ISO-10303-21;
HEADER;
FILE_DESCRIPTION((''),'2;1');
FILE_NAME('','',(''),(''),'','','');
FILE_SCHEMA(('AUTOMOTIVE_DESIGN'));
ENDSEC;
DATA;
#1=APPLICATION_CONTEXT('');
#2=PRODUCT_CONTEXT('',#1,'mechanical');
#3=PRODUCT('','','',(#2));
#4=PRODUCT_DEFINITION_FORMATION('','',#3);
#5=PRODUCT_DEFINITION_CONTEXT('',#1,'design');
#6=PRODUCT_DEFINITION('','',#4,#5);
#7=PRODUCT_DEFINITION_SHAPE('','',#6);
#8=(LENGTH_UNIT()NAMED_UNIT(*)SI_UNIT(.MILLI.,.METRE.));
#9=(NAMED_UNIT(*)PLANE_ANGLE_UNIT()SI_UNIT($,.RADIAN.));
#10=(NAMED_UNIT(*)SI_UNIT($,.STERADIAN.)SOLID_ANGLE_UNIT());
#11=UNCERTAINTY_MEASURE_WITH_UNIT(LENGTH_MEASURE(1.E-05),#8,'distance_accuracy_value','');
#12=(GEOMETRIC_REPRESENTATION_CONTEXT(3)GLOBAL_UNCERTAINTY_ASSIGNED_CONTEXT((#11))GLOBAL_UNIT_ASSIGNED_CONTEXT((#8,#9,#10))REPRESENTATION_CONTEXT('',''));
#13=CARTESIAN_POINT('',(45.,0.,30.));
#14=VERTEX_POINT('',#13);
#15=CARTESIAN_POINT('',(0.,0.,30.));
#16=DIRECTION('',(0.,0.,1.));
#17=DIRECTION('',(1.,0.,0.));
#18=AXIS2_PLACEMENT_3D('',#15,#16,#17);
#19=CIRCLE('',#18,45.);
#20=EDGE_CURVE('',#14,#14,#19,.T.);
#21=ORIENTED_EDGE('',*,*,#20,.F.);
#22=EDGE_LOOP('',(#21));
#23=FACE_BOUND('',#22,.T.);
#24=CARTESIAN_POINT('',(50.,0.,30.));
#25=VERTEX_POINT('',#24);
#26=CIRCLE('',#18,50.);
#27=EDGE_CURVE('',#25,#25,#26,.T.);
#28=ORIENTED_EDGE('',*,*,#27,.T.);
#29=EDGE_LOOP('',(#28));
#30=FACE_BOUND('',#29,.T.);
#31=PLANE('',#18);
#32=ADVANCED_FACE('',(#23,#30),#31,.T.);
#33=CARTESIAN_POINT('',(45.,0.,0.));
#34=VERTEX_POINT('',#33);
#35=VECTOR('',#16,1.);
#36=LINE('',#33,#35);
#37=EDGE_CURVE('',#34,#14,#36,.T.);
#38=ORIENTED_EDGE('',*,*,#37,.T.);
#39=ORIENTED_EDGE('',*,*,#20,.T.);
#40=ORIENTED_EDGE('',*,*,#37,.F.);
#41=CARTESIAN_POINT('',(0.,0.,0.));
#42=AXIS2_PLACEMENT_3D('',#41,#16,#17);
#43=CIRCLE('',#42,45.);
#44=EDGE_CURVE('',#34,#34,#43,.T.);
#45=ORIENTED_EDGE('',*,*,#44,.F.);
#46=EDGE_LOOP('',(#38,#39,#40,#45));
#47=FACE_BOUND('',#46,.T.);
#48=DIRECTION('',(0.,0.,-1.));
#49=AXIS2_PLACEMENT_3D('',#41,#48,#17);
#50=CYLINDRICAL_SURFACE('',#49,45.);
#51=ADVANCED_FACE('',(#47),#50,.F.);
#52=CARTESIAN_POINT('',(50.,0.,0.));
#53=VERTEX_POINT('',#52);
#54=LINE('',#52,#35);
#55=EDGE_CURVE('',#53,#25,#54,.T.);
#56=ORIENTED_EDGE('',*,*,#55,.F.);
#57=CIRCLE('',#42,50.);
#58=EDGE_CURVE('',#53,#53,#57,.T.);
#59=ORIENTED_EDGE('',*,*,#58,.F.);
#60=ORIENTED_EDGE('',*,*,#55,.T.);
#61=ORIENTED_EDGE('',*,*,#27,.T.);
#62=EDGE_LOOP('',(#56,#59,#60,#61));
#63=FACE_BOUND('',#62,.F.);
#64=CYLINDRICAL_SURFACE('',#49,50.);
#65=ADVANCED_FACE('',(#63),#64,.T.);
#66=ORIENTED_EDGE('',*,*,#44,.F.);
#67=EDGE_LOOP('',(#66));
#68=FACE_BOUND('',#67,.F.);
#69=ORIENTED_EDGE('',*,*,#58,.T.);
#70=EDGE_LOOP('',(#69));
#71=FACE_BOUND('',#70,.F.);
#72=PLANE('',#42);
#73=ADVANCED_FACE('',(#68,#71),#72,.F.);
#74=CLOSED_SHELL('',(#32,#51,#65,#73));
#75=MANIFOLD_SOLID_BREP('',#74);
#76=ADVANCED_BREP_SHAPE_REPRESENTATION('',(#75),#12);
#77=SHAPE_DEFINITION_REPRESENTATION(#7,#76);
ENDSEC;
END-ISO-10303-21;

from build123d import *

# Parameters (mm, degrees)
SKETCH_R   = 50
SKETCH_R_2 = 45
PAD_DEPTH  = 30


with BuildPart() as part:
    # Sketch (on XY_Plane of Origin) → Pad (new body)
    with BuildSketch(Plane.XY):
        Circle(SKETCH_R)
        Circle(SKETCH_R_2, mode=Mode.SUBTRACT)
    extrude(amount=PAD_DEPTH)


solid = part.part
